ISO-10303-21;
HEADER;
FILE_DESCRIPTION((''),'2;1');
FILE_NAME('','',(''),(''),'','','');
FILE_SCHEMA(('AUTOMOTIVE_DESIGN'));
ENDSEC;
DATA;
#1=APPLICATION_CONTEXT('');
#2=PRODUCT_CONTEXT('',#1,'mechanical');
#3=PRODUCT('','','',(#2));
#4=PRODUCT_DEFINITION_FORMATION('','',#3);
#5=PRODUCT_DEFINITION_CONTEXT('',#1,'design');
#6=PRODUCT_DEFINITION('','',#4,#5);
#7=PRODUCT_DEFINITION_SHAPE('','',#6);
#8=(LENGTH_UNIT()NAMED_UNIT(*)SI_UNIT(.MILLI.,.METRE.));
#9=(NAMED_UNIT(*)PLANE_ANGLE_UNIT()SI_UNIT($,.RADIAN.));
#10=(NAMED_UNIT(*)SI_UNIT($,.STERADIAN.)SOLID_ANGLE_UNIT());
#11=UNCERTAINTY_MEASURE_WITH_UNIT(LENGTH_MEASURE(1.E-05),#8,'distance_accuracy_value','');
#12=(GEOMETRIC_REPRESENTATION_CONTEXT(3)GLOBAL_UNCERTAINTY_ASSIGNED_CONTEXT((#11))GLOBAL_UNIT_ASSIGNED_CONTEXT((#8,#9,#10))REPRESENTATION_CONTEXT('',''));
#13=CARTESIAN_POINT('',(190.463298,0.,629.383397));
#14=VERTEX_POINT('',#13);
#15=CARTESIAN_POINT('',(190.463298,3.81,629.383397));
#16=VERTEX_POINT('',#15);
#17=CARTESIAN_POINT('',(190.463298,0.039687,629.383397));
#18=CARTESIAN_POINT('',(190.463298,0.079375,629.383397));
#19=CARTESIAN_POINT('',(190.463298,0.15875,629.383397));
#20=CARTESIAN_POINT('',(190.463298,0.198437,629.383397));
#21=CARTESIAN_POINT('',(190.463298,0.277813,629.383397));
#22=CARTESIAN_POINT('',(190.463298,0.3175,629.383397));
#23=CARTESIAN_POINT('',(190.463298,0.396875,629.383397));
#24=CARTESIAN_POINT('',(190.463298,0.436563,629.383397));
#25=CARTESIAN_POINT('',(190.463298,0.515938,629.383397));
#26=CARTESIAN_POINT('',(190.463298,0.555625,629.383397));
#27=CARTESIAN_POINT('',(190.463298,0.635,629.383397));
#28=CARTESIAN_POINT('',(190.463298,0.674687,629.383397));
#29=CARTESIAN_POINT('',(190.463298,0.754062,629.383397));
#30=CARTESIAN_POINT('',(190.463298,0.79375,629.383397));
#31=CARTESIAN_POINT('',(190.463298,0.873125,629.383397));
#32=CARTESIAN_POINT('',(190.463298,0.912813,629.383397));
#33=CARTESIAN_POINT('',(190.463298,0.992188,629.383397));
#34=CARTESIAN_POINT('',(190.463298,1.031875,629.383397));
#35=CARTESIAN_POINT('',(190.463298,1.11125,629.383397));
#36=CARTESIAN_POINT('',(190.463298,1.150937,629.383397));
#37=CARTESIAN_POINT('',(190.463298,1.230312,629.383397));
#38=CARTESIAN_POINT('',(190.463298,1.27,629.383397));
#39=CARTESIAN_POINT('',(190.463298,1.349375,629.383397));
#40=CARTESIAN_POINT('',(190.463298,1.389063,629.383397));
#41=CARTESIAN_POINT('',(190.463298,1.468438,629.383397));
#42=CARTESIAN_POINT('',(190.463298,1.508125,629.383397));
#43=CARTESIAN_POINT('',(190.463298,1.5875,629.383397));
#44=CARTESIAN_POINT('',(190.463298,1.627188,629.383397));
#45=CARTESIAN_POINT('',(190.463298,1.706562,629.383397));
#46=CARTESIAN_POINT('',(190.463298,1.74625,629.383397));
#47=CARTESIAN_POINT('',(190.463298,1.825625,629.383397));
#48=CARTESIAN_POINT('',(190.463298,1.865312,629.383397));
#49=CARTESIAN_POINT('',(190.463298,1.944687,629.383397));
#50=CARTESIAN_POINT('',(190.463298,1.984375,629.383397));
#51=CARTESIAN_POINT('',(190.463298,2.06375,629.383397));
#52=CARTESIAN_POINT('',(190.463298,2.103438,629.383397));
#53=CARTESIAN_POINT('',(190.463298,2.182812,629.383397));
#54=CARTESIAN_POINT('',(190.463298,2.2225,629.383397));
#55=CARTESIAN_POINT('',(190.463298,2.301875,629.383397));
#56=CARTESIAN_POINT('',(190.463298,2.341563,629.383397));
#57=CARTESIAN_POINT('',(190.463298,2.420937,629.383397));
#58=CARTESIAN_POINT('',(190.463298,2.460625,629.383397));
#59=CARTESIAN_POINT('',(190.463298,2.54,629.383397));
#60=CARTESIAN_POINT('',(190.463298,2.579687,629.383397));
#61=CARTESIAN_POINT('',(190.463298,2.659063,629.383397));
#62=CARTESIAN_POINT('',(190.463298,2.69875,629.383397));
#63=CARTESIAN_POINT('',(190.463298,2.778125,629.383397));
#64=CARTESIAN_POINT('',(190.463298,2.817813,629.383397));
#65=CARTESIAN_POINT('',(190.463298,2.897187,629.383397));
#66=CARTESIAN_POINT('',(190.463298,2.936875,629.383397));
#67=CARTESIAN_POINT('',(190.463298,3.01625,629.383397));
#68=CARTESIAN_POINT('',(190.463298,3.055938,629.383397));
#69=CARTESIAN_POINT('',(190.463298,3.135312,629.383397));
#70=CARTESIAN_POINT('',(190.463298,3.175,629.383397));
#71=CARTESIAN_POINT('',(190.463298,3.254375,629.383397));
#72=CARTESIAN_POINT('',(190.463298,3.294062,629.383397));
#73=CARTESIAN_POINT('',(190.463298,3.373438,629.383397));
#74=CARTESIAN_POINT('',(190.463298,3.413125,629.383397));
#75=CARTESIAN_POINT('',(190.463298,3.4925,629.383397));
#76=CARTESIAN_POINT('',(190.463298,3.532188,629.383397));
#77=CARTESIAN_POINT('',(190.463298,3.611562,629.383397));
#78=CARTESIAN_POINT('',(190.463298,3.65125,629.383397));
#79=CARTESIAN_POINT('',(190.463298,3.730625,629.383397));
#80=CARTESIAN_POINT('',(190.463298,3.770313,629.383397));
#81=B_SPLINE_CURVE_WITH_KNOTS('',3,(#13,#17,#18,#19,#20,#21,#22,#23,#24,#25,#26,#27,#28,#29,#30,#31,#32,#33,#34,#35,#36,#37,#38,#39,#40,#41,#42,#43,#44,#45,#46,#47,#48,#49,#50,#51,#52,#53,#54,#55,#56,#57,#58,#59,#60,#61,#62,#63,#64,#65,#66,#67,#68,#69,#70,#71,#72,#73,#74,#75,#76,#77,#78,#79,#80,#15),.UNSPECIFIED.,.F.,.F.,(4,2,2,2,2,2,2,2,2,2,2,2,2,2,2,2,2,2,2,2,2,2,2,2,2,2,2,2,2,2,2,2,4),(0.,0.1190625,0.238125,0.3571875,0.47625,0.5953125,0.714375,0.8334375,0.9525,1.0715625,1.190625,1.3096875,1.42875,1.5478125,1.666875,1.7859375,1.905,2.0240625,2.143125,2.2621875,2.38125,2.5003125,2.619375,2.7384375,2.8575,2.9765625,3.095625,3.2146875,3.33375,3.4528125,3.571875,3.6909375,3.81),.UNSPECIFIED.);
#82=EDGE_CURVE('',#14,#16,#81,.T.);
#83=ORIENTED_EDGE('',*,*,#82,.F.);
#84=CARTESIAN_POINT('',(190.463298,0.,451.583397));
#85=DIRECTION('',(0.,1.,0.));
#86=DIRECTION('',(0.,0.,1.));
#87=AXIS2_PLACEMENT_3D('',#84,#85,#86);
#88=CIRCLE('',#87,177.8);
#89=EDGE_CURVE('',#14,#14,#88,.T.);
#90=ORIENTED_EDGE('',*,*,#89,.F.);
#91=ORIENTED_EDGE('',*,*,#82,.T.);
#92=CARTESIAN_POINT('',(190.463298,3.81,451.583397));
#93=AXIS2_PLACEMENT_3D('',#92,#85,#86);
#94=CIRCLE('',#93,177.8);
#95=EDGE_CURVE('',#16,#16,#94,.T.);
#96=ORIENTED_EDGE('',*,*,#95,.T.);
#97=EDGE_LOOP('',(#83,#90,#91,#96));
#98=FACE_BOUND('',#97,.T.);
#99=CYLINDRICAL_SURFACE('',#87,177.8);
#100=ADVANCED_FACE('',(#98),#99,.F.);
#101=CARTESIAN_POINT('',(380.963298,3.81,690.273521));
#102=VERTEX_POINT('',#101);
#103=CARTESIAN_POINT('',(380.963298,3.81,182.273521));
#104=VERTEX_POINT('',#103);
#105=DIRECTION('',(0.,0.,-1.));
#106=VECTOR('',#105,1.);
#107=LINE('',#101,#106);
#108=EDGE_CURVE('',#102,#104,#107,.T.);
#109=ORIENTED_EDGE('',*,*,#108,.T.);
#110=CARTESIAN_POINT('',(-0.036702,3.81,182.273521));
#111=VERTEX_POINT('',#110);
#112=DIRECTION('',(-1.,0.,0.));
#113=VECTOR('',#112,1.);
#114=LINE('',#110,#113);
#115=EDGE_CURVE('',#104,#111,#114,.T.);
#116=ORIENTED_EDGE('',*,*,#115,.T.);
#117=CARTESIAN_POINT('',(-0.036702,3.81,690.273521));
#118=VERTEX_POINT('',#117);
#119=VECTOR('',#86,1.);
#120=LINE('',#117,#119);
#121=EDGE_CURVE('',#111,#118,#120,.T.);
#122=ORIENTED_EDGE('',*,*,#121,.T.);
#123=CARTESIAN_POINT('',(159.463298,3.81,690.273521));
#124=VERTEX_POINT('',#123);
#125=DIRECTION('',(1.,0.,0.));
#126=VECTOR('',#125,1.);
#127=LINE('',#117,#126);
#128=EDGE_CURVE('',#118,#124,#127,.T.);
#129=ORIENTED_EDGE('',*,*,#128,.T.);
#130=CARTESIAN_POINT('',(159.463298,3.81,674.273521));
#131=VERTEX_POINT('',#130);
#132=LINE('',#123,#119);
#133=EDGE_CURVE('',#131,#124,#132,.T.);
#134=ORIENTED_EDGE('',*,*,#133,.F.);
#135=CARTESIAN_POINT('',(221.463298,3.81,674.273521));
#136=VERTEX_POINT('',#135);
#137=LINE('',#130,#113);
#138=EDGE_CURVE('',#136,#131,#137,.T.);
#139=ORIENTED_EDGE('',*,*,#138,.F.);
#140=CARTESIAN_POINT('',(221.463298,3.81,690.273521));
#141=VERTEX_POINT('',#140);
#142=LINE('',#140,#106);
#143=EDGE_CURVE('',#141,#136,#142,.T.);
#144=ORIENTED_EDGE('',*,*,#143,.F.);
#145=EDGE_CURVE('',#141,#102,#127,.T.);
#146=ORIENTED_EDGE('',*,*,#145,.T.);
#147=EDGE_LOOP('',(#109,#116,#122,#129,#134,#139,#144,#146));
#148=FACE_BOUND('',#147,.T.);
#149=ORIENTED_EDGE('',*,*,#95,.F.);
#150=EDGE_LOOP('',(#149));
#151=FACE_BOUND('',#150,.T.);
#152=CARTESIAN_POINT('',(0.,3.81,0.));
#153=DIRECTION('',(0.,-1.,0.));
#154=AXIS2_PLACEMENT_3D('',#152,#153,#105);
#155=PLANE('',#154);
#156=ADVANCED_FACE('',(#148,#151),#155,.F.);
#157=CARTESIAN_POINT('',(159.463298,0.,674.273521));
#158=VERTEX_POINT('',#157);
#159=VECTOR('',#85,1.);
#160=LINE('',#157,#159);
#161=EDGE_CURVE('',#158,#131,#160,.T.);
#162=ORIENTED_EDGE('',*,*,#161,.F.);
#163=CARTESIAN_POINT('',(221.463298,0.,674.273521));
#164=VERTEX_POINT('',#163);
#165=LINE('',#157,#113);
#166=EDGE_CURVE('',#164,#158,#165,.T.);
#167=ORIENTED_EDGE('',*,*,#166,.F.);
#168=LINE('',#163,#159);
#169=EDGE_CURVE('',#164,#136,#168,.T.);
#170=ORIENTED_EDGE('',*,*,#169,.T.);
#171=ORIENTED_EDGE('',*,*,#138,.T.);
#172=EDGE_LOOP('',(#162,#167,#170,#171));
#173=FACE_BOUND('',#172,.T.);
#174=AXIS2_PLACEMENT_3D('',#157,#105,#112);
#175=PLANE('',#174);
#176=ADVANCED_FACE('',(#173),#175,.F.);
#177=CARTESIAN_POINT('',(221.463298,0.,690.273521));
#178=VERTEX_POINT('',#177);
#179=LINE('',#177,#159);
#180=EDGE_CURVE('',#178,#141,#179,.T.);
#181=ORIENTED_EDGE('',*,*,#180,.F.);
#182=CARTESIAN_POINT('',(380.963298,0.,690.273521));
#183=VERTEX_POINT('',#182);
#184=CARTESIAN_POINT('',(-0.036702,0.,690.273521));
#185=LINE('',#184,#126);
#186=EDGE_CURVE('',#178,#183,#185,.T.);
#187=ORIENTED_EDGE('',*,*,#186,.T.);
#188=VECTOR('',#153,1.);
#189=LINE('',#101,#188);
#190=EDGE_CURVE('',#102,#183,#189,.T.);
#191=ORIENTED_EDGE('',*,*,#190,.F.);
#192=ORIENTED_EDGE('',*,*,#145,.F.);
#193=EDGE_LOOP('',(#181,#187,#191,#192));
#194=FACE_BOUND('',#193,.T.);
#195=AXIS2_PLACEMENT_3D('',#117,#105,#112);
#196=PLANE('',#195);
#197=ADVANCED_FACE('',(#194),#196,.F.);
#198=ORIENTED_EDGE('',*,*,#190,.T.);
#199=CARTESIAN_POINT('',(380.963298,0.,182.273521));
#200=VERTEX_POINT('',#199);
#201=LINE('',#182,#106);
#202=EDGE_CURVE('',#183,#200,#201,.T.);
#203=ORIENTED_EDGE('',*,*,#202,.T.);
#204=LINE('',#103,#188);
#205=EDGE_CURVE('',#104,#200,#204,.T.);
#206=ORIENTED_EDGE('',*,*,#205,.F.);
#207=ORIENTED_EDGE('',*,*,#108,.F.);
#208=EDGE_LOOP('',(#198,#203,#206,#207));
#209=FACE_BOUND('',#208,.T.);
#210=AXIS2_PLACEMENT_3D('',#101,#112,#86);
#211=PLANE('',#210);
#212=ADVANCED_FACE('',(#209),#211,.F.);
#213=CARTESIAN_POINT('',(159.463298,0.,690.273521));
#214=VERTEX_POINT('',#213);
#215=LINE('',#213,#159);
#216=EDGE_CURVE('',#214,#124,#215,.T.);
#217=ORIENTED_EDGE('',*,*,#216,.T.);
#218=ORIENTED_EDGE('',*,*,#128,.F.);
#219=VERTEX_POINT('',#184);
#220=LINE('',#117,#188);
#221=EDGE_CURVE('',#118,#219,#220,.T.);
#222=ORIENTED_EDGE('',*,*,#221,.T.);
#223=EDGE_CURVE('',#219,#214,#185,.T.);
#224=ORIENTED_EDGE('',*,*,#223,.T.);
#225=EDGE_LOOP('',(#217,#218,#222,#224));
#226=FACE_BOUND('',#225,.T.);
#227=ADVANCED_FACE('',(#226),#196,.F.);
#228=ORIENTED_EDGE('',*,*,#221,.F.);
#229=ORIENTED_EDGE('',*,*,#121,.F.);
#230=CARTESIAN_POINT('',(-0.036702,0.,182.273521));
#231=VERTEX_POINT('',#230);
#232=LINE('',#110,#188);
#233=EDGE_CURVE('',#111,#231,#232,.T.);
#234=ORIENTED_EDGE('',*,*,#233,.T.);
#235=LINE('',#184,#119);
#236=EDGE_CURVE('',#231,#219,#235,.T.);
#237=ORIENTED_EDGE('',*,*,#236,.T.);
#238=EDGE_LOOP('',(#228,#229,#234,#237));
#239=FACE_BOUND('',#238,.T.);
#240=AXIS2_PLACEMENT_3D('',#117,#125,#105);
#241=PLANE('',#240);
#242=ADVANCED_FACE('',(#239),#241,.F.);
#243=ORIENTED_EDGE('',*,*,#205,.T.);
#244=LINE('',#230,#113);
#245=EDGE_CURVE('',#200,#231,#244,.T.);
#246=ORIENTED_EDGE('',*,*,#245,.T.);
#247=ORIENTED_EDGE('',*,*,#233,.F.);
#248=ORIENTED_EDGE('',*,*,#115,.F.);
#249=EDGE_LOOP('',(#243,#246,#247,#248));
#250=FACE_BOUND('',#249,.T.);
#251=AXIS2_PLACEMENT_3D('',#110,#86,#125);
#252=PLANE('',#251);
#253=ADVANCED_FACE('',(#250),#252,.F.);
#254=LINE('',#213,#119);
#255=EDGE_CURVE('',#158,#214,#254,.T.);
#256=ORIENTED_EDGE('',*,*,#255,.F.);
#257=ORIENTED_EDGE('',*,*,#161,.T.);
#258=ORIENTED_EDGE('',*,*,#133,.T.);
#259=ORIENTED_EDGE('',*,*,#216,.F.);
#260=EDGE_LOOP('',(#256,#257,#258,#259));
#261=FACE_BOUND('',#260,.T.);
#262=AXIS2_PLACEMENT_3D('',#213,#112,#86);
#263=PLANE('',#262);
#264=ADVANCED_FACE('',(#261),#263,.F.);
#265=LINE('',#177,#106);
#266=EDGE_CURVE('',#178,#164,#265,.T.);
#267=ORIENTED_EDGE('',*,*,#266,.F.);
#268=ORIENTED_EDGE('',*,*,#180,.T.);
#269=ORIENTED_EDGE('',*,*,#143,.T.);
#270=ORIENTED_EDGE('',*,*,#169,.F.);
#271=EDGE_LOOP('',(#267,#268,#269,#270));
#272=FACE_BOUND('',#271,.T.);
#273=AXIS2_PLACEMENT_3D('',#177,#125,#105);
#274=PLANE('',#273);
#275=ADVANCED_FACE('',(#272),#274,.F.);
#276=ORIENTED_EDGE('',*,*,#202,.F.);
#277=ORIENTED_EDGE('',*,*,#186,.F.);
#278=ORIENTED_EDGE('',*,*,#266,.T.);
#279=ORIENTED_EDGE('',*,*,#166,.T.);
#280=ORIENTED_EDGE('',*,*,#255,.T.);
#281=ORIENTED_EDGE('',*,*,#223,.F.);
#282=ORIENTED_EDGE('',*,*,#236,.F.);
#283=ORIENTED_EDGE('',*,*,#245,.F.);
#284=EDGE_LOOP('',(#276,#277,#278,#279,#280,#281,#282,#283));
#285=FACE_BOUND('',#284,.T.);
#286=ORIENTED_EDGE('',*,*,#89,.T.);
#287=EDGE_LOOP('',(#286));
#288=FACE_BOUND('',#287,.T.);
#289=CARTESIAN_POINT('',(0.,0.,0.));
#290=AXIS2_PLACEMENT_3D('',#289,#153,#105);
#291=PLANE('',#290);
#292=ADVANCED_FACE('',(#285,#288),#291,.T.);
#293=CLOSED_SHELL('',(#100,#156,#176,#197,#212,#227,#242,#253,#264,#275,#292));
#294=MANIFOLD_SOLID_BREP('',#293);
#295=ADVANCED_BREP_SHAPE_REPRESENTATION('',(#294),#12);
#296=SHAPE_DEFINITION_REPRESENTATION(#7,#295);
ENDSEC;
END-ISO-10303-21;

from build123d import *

# Parameters (mm, degrees)
SKETCH4_W           = 381
SKETCH4_H           = 508
BOSS_EXTRUDE1_DEPTH = 3.81
SKETCH5_R           = 177.8
CUT_EXTRUDE1_DEPTH  = 789.432041398
SKETCH6_W           = 62
SKETCH6_H           = 16
CUT_EXTRUDE2_DEPTH  = 789.432041398


with BuildPart() as part:
    # Sketch4 → Boss-Extrude1 (new body)
    with BuildSketch(Plane(origin=(190.463297595, 0, 436.273520924), x_dir=(1, 0, 0), z_dir=(0, 1, 0))):
        Rectangle(SKETCH4_W, SKETCH4_H)
    extrude(amount=BOSS_EXTRUDE1_DEPTH)

    # Sketch5 → Cut-Extrude1 (cut, through all)
    with BuildSketch(Plane(origin=(0, 3.81, 0), x_dir=(1, 0, 0), z_dir=(0, 1, 0))):
        with Locations(Location((190.463297595, -451.583397082, 0), (0, 0, 270))):
            Circle(SKETCH5_R)
    extrude(amount=-CUT_EXTRUDE1_DEPTH, mode=Mode.SUBTRACT)

    # Sketch6 → Cut-Extrude2 (cut, through all)
    with BuildSketch(Plane(origin=(0, 3.81, 0), x_dir=(1, 0, 0), z_dir=(0, 1, 0))):
        with Locations((190.463297595, -682.273520924)):
            Rectangle(SKETCH6_W, SKETCH6_H)
    extrude(amount=-CUT_EXTRUDE2_DEPTH, mode=Mode.SUBTRACT)


solid = part.part
